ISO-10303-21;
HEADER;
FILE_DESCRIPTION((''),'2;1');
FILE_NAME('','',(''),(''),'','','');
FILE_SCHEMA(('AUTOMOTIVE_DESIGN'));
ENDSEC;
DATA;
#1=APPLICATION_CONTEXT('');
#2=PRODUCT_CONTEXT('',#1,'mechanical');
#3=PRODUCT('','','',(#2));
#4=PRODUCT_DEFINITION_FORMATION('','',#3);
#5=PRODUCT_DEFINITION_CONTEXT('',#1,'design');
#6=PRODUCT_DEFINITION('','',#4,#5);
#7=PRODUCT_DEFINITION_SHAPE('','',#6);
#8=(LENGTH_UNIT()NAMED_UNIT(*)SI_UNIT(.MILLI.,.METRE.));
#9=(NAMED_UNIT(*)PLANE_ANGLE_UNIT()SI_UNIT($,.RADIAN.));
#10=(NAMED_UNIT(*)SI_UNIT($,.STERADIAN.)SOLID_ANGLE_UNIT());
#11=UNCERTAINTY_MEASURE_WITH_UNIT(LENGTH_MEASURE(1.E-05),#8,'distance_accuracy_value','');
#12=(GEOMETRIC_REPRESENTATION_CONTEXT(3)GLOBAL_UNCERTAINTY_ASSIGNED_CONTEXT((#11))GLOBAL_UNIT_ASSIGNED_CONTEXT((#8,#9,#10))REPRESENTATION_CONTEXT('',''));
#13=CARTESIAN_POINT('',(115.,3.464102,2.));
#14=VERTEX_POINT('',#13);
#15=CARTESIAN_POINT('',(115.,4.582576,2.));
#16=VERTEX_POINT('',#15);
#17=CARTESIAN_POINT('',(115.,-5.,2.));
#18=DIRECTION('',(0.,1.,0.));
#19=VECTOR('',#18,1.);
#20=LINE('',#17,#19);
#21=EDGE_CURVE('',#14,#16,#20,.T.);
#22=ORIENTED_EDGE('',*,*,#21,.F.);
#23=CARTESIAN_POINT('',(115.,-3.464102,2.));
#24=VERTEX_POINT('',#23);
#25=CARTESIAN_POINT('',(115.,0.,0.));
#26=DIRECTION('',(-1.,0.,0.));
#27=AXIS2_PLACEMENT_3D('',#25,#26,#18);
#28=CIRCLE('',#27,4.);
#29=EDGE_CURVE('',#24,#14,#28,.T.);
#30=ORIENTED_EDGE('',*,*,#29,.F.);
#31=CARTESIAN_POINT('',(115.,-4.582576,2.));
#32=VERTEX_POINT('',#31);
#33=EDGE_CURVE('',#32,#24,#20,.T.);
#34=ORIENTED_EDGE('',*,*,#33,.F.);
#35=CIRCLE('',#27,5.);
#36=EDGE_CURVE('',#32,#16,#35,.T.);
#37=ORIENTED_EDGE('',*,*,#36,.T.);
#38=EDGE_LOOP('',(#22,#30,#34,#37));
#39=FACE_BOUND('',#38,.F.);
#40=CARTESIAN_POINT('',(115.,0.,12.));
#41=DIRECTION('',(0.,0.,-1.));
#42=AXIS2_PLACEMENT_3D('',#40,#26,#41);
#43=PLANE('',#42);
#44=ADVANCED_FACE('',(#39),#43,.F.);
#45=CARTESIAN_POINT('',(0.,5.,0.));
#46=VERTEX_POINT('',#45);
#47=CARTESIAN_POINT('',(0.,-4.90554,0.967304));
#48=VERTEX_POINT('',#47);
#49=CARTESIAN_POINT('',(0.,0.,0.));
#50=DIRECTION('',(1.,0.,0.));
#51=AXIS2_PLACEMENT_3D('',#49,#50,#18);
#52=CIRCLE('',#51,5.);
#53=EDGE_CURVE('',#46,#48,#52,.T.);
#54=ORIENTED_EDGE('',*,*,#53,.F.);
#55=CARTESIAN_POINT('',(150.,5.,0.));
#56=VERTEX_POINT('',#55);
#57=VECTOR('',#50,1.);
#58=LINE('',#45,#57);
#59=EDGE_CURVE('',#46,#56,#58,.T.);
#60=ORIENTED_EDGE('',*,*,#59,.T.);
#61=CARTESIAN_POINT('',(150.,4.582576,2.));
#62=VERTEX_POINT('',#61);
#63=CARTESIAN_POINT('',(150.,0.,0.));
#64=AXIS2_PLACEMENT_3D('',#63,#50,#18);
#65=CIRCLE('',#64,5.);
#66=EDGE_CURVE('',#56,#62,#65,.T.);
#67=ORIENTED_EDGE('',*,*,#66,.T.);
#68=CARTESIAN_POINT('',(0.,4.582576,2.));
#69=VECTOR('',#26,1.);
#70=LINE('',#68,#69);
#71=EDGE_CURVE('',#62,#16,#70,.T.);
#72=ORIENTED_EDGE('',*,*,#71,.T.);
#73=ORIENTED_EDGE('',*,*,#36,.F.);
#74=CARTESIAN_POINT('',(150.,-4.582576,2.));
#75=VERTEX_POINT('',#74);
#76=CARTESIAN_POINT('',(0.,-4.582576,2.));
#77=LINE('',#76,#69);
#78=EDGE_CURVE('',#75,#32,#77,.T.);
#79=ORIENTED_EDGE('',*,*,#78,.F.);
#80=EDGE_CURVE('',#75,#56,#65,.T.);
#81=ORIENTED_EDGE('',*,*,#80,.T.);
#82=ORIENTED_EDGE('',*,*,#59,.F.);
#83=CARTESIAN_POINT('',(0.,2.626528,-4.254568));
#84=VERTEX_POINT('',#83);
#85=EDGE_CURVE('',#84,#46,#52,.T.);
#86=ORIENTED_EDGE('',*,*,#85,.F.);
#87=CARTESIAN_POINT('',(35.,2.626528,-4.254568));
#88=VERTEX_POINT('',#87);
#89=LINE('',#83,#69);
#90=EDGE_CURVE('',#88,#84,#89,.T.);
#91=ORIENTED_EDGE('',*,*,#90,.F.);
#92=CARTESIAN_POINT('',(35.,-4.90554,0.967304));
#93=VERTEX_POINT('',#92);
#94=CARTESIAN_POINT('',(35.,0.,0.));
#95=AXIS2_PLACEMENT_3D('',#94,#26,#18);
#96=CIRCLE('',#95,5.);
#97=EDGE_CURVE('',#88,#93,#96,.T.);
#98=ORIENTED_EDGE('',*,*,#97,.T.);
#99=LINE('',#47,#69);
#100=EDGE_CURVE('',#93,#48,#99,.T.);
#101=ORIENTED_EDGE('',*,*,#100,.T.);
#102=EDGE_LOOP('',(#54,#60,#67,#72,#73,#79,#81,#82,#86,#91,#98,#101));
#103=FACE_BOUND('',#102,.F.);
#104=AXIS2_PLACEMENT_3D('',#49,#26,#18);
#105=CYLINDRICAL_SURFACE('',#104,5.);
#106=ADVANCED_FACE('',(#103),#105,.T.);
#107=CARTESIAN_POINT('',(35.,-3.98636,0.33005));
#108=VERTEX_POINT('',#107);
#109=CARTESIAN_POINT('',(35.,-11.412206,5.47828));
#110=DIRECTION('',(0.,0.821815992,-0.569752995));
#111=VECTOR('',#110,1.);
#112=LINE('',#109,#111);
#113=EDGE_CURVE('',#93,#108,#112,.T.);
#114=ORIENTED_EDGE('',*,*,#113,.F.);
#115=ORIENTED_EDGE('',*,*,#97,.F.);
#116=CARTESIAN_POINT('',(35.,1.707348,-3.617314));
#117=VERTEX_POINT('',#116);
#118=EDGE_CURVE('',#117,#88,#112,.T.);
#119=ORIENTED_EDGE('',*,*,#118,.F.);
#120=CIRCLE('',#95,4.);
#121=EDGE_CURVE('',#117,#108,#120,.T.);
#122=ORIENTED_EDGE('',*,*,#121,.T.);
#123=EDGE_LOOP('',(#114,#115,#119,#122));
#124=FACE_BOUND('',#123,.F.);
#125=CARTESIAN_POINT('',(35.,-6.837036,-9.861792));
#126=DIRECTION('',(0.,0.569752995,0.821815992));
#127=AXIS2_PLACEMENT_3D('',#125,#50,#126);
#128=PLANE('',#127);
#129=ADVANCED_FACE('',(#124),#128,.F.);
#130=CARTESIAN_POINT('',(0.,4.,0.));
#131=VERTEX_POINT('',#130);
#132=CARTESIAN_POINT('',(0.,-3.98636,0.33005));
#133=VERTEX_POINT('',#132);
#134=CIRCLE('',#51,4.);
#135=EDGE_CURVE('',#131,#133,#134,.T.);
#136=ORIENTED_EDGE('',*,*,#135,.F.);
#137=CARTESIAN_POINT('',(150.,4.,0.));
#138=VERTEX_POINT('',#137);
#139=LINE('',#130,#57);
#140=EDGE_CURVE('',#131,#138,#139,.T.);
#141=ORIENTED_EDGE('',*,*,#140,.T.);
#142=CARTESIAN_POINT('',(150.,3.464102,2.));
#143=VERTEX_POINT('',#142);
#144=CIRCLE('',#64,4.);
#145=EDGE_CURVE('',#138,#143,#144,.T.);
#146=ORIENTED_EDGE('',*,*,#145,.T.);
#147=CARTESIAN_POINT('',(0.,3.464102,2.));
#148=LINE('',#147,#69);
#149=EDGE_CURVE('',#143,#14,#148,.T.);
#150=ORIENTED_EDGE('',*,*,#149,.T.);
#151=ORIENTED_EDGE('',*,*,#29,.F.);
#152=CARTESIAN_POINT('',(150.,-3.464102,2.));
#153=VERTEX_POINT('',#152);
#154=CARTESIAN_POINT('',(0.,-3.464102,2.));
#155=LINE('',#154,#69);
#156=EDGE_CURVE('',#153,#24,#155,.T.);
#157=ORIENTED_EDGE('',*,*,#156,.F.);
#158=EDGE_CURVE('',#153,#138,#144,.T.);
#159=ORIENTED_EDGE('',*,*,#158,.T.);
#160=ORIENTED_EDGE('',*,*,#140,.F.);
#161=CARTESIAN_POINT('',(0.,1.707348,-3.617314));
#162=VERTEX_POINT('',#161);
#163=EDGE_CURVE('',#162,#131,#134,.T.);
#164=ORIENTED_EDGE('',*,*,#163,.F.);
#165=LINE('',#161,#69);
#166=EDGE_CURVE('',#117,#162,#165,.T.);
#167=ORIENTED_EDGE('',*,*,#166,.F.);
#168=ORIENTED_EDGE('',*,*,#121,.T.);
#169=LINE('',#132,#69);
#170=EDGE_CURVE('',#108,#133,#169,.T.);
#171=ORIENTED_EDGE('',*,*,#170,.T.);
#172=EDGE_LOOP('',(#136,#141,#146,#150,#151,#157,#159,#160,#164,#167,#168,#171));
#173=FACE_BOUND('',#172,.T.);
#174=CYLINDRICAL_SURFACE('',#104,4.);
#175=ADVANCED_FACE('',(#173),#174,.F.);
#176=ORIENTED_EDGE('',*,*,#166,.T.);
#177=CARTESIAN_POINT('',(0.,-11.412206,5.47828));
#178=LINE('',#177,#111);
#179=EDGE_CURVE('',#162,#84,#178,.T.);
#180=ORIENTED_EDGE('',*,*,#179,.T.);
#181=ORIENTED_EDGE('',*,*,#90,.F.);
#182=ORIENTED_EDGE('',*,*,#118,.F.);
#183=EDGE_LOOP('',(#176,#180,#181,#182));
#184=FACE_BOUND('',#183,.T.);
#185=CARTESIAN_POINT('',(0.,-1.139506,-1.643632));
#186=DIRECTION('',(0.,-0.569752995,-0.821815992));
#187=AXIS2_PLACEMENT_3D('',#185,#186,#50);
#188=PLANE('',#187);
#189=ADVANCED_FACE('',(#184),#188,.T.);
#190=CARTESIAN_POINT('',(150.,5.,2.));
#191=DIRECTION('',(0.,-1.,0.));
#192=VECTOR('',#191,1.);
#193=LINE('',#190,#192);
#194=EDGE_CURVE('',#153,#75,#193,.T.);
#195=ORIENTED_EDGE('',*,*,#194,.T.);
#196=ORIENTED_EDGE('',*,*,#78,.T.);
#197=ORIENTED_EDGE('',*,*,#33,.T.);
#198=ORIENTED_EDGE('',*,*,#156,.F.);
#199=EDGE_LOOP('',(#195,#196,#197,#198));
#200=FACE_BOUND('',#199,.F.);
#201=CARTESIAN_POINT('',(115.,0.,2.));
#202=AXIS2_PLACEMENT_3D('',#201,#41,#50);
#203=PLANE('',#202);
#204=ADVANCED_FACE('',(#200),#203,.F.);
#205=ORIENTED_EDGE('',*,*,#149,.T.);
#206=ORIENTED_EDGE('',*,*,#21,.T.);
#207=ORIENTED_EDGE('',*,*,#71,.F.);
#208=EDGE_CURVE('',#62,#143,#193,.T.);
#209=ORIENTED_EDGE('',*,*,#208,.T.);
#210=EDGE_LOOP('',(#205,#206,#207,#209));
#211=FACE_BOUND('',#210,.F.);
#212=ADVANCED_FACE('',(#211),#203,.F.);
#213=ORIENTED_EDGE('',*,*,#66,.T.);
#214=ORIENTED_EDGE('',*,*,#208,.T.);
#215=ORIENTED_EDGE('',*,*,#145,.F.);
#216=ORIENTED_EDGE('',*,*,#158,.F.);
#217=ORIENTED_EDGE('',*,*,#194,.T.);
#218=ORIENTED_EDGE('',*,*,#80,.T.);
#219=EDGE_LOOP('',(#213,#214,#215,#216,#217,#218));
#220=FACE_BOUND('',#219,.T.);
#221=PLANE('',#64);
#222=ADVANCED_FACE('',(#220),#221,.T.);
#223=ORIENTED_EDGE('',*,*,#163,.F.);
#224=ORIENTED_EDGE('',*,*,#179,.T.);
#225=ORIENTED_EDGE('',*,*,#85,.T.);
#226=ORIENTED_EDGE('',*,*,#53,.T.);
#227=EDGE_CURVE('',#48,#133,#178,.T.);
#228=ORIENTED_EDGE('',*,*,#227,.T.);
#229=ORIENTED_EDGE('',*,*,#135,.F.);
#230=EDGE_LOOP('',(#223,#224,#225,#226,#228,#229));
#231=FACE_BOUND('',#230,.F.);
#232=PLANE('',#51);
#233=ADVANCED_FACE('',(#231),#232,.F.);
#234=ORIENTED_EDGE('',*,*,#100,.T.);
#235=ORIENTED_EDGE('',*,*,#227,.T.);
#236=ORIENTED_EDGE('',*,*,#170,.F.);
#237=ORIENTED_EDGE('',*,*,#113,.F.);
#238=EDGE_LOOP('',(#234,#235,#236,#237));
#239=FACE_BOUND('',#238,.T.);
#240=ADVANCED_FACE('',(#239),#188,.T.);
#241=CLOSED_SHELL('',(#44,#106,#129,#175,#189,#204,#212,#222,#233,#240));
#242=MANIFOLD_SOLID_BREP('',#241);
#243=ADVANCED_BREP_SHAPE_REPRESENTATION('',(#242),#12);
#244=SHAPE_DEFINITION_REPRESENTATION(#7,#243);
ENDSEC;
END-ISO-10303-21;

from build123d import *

# Parameters (mm, degrees)
F0_R     = 5
F0_R_2   = 4
F1_DEPTH = 150
F3_DEPTH = 5
F5_W     = 35
F5_H     = 10
F6_DEPTH = 12.5


with BuildPart() as f1:
    # F0 (on Right) → F1 (new body)
    with BuildSketch(Plane.YZ):
        Circle(F0_R)
        Circle(F0_R_2, mode=Mode.SUBTRACT)
    extrude(amount=F1_DEPTH)

    # F2 (on Front) → F3 (cut, symmetric)
    with BuildSketch(Plane.XZ):
        Polygon((115, 2), (150, 2), (150, 5), (150, 12), (115, 12), align=None)
    extrude(amount=F3_DEPTH, both=True, mode=Mode.SUBTRACT)

    # F5 (on face) → F6 (cut, symmetric)
    with BuildSketch(Plane(origin=(0, 0, 0), x_dir=(1, 0, 0), z_dir=(0, -0.821816, 0.569753))):
        with Locations((17.5, -7)):
            Rectangle(F5_W, F5_H)
    extrude(amount=F6_DEPTH, both=True, mode=Mode.SUBTRACT)


solid = f1.part
